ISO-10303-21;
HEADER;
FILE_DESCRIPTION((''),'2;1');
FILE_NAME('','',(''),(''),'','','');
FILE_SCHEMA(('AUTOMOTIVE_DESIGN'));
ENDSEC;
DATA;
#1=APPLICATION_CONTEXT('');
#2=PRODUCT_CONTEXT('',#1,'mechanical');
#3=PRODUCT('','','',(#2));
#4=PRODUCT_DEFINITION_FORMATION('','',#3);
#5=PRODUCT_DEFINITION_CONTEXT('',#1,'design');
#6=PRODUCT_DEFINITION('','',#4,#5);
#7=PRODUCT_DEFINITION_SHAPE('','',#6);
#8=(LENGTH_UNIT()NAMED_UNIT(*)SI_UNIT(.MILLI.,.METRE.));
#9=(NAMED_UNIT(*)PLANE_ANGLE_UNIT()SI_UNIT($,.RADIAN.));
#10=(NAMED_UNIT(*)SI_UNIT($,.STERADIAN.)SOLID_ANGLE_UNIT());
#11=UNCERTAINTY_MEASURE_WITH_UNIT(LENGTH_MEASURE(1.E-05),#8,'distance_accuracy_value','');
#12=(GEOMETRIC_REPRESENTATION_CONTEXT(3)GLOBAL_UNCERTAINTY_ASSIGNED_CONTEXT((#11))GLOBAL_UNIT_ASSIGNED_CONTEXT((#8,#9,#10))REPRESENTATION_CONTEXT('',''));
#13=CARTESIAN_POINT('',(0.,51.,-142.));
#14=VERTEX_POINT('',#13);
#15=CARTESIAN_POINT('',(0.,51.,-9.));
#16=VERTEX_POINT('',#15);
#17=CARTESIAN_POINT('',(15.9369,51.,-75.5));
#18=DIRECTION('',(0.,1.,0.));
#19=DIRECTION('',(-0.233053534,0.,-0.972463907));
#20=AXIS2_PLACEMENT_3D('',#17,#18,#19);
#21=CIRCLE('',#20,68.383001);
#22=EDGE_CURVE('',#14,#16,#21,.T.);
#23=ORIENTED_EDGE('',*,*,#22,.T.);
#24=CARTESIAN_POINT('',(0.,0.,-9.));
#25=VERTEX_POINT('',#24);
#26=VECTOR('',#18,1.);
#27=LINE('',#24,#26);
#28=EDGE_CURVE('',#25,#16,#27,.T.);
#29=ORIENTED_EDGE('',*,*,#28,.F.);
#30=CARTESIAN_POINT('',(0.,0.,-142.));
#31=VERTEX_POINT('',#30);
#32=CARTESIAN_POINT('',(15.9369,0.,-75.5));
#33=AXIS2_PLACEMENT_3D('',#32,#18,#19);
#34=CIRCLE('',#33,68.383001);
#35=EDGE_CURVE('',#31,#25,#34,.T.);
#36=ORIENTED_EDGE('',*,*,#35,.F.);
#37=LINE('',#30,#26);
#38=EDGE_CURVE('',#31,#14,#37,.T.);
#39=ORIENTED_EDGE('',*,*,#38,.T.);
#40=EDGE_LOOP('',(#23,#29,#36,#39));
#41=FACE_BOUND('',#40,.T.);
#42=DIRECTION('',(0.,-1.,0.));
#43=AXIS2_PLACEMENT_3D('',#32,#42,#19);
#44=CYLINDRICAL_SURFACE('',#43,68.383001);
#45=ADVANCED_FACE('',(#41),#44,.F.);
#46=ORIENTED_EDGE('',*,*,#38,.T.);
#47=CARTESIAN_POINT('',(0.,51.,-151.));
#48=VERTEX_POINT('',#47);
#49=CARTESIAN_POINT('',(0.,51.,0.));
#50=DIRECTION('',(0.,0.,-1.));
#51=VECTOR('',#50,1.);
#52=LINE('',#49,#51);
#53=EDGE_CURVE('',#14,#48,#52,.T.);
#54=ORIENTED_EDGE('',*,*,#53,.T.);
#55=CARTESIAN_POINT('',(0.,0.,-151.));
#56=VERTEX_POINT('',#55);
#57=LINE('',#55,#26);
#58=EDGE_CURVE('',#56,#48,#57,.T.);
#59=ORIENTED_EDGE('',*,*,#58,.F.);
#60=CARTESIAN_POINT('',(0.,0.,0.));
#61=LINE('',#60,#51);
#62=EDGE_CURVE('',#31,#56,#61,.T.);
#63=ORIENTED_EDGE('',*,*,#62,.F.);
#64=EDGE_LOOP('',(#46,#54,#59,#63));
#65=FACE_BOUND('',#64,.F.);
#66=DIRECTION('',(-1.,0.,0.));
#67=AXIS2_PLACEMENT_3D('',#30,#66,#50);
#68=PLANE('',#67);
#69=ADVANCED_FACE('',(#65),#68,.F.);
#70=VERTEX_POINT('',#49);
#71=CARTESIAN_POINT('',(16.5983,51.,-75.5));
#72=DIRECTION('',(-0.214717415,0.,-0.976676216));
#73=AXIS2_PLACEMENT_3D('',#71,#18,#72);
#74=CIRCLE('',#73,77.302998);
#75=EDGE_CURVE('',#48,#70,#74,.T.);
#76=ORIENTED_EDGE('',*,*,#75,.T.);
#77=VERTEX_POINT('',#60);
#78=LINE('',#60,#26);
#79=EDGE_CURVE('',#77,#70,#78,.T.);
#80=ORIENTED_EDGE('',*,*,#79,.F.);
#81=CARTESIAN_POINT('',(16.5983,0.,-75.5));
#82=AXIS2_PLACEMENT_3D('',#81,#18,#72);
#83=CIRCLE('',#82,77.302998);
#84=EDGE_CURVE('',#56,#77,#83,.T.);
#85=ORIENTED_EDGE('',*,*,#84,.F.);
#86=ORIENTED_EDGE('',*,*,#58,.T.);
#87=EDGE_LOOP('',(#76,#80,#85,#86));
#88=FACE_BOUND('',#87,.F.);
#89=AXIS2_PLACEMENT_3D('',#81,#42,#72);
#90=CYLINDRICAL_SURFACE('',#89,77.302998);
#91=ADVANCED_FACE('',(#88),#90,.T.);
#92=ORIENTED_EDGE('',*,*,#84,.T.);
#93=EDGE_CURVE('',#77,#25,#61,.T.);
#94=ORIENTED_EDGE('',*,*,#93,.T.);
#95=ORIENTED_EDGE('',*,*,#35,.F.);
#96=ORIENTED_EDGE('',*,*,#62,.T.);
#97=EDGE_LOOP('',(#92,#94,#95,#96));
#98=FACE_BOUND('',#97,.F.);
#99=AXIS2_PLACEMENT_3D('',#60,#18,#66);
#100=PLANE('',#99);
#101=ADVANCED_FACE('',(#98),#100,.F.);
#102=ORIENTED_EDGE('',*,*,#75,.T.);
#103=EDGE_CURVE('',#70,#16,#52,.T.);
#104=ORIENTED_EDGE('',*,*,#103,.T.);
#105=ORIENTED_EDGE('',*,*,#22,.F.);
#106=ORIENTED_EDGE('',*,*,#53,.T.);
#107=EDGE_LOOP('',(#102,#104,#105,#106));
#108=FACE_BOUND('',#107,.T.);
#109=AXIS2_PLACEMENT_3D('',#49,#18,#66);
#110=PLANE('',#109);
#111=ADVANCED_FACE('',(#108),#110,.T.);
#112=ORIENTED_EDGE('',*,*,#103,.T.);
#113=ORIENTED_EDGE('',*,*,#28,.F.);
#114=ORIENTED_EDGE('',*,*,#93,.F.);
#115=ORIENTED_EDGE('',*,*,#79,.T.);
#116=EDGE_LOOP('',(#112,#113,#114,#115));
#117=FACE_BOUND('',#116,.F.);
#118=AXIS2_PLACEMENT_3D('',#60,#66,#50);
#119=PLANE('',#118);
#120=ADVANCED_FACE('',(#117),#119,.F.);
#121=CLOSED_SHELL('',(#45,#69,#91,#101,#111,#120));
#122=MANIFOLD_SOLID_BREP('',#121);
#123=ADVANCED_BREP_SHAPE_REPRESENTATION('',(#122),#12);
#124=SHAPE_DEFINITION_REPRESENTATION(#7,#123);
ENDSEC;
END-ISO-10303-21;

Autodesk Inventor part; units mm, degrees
ref_plane "YZ Plane" through (0, 0, 0) normal (1, 0, 0) x (0, 1, 0)
ref_plane "XZ Plane" through (0, 0, 0) normal (0, 1, 0) x (-1, 0, 0)
ref_plane "XY Plane" through (0, 0, 0) normal (0, 0, 1) x (1, 0, 0)
sketch "Sketch1" plane through (0, 0, 0) normal (0, 1, 0) x (-1, 0, 0)
  line L0 (0, 0) -> (0, -151)
  arc A0 (0, -151) -> (0, 0) centre (-16.5983, -75.5) ccw
  arc A1 (0, -142) -> (0, -9) centre (-15.9369, -75.5) ccw
  dimension "d0" = 151
  dimension "d2" = 9
  dimension "d3" = 9
  dimension "d13" = 77.303
  dimension "d14" = 68.383
extrude "Extrusion1" add sketch "Sketch1" along normal blind 51 contours A0 L0 A1
properties part number "Slicer Strap" material "Thermoplastic Resin"
